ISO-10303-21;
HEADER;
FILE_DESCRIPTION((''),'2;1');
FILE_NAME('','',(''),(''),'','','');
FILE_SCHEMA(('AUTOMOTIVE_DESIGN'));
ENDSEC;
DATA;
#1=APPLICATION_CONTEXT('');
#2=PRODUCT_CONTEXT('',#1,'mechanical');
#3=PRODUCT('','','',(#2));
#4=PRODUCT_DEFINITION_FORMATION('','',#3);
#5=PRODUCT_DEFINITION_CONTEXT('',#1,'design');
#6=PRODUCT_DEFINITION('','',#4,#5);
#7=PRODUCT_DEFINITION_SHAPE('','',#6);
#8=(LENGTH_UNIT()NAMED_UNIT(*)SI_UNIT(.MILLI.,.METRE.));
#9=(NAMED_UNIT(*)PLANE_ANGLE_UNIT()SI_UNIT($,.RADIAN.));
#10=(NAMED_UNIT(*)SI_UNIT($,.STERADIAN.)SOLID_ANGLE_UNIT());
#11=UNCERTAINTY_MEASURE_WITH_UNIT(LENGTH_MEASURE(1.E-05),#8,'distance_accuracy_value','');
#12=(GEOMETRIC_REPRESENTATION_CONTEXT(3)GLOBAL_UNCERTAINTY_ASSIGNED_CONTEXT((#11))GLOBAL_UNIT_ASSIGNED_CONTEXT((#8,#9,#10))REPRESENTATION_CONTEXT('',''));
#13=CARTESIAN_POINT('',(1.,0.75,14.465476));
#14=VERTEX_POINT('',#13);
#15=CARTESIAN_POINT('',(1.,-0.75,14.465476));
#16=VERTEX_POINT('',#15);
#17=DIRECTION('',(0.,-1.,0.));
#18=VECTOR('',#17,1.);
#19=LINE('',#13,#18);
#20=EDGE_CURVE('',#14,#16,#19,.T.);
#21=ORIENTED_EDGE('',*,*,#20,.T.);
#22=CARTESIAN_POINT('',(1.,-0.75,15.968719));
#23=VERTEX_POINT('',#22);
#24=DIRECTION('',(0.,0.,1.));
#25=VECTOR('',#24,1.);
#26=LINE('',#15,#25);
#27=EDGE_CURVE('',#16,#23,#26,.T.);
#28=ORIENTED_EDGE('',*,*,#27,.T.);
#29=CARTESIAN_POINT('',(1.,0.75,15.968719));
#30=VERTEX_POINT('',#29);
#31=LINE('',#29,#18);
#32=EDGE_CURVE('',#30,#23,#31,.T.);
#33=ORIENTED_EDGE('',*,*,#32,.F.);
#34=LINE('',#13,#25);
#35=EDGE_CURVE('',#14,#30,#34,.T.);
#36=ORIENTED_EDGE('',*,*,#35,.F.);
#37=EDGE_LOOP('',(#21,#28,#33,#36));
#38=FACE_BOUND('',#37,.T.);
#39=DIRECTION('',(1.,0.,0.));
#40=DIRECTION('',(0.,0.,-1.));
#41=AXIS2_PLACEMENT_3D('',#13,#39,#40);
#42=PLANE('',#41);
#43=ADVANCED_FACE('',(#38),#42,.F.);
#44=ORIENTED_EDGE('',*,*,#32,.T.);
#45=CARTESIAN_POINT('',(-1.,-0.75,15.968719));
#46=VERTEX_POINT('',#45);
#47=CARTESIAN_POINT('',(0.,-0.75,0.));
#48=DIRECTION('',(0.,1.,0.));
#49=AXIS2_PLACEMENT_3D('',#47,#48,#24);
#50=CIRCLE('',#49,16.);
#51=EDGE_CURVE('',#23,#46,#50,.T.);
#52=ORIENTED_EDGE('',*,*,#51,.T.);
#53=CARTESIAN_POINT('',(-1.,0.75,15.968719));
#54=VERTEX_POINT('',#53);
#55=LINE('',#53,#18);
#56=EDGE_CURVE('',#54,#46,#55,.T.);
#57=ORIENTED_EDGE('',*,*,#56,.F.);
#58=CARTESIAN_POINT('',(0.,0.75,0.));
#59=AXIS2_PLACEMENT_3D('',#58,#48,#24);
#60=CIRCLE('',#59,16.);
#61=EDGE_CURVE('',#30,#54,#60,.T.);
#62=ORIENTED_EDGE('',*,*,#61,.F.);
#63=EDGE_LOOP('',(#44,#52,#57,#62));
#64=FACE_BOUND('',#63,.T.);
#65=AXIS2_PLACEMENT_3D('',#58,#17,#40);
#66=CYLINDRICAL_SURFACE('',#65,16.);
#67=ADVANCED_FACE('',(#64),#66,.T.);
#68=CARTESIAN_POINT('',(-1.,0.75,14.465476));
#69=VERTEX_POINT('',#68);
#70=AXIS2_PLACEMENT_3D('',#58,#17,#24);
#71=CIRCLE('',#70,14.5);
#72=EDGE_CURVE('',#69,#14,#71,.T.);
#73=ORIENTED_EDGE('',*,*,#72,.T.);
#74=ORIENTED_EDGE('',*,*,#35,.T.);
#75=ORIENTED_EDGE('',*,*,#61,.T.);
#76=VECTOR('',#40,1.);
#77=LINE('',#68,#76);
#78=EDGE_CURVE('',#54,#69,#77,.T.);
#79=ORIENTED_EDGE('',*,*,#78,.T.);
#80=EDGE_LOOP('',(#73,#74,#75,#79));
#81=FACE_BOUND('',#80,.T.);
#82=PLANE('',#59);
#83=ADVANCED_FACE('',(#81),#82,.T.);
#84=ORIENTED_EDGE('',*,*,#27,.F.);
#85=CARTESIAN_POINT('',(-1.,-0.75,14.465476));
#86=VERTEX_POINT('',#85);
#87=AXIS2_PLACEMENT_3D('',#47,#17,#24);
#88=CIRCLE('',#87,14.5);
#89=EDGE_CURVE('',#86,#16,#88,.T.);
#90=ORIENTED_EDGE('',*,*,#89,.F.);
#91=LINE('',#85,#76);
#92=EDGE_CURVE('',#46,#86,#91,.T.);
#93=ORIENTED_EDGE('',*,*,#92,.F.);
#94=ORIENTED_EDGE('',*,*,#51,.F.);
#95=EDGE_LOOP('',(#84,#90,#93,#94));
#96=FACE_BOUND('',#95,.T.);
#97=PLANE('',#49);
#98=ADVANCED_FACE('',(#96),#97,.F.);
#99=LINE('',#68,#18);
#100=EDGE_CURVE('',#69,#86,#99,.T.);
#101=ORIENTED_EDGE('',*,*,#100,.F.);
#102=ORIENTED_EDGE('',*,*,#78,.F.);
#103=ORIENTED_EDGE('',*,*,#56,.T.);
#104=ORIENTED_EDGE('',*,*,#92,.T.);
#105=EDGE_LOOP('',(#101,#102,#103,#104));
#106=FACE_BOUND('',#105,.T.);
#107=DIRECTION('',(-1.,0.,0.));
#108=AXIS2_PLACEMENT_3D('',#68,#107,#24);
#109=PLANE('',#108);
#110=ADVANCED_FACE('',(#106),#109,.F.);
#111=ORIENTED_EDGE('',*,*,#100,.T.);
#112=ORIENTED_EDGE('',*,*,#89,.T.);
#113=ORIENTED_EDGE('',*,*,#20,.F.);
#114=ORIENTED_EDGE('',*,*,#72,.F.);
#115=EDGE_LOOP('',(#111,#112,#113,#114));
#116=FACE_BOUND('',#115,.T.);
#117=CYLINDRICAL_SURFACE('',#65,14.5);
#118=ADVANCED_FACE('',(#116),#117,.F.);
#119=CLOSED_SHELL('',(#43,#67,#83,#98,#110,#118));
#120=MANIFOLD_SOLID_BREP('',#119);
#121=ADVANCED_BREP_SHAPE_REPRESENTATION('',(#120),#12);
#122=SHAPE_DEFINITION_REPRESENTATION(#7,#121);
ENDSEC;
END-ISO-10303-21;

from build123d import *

# Parameters (mm, degrees)
BODY_DEPTH = 0.75


with BuildPart() as part:
    # Sketch1 → Body (new body, symmetric)
    with BuildSketch(Plane(origin=(0, 0, 0), x_dir=(1, 0, 0), z_dir=(0, 1, 0))):
        with BuildLine():
            Line((-1, -14.465476141), (-1, -15.968719423))
            ThreePointArc((-1, -15.968719423), (0, 16), (1, -15.968719423))
            Line((1, -15.968719423), (1, -14.465476141))
            ThreePointArc((1, -14.465476141), (0, 14.5), (-1, -14.465476141))
        make_face()
    extrude(amount=BODY_DEPTH, both=True)


solid = part.part
